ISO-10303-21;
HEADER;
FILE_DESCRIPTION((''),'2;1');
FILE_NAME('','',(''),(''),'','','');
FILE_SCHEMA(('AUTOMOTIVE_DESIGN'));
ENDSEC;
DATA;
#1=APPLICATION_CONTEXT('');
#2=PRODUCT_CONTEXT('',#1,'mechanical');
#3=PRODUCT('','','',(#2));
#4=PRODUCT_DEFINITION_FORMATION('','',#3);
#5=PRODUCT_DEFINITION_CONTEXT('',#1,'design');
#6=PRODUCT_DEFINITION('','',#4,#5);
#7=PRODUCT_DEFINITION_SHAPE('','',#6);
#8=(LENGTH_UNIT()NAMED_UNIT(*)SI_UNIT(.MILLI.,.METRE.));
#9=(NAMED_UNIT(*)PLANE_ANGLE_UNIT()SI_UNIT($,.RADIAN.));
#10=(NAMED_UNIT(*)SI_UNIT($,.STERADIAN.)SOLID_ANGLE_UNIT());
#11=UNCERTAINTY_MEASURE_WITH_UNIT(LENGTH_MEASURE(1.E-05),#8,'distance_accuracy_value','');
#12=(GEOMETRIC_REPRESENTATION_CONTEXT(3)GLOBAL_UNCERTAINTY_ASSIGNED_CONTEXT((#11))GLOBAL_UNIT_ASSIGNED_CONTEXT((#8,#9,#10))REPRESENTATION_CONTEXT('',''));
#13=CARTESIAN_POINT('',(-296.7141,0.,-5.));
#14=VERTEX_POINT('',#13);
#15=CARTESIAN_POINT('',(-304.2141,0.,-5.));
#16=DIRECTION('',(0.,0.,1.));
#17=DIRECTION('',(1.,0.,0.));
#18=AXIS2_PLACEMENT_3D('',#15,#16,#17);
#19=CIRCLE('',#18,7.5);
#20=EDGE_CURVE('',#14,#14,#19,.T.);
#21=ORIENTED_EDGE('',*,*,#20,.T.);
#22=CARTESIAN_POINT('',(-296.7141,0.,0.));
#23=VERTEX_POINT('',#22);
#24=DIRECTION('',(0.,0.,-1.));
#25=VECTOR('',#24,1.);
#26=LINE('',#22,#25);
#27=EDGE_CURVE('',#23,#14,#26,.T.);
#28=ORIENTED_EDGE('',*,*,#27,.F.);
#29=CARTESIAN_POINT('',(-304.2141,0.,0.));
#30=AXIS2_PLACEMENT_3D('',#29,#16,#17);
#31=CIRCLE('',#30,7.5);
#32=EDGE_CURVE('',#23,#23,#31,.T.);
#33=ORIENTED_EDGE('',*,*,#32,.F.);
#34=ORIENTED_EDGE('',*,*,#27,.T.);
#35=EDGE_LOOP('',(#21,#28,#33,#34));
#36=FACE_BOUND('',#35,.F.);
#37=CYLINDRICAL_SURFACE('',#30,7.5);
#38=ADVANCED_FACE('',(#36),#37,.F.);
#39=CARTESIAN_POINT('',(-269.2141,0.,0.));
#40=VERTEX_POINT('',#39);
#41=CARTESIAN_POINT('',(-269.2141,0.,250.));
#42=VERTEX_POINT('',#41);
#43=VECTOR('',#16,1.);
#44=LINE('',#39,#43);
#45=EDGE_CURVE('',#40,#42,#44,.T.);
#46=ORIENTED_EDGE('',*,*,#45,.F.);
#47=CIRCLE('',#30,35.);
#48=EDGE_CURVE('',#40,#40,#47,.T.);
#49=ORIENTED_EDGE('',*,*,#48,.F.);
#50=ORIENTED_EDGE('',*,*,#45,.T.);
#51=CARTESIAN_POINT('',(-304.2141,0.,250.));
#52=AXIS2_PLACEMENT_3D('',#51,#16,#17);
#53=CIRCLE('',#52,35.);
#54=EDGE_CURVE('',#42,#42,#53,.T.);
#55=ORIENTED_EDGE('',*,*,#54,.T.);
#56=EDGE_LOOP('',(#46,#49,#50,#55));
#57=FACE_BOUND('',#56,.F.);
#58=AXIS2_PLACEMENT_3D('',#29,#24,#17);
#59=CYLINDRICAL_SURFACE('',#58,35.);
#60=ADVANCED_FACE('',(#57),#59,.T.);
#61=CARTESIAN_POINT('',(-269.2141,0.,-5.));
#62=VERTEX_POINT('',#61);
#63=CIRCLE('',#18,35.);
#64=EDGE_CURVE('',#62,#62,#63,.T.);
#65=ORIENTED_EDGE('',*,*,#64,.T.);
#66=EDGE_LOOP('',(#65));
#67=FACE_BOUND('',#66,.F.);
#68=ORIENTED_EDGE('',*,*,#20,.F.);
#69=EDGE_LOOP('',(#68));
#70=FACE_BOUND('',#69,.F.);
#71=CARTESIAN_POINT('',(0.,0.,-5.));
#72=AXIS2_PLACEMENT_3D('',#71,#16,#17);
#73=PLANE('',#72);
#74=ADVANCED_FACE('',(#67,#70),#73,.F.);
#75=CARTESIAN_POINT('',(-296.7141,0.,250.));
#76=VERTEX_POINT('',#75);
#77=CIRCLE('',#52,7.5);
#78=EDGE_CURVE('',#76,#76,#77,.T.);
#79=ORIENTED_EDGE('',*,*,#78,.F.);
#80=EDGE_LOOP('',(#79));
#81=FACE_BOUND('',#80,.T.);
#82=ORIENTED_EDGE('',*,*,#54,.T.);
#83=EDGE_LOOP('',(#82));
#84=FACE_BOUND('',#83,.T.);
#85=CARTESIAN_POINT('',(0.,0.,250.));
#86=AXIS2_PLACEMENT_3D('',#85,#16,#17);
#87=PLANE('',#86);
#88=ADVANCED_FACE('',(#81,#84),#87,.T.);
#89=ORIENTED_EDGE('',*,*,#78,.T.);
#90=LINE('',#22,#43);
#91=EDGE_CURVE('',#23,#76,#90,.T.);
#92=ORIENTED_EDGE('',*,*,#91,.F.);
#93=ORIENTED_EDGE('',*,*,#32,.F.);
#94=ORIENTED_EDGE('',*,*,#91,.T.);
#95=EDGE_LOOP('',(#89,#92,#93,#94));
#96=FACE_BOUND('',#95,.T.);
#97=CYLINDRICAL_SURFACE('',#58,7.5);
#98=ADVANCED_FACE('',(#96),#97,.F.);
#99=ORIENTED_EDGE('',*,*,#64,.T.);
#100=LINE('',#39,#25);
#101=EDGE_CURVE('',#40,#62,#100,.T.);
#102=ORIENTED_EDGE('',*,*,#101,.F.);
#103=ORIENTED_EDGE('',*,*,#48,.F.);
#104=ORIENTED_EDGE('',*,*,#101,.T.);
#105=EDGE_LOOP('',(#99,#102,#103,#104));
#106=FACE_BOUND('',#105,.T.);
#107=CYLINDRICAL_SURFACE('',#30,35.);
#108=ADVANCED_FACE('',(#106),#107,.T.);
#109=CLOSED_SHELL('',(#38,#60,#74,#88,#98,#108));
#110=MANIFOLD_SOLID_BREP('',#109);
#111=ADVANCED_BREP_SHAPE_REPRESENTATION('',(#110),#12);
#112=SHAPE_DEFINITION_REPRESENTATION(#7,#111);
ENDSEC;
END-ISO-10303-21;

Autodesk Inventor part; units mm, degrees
ref_plane "YZ Plane" through (0, 0, 0) normal (1, 0, 0) x (0, 1, 0)
ref_plane "XZ Plane" through (0, 0, 0) normal (0, 1, 0) x (-1, 0, 0)
ref_plane "XY Plane" through (0, 0, 0) normal (0, 0, 1) x (1, 0, 0)
sketch "Sketch1" plane through (0, 0, 0) normal (0, 0, 1) x (1, 0, 0)
  circle A0 centre (-304.2141, 0) radius 35
  circle A1 centre (-304.2141, 0) radius 7.5
  point P0 (0, 0)
  dimension "d0" = 70
  dimension "d1" = 15
extrude "Extrusion1" add sketch "Sketch1" along normal blind 250 and the other way blind 5
properties part number "roller"
